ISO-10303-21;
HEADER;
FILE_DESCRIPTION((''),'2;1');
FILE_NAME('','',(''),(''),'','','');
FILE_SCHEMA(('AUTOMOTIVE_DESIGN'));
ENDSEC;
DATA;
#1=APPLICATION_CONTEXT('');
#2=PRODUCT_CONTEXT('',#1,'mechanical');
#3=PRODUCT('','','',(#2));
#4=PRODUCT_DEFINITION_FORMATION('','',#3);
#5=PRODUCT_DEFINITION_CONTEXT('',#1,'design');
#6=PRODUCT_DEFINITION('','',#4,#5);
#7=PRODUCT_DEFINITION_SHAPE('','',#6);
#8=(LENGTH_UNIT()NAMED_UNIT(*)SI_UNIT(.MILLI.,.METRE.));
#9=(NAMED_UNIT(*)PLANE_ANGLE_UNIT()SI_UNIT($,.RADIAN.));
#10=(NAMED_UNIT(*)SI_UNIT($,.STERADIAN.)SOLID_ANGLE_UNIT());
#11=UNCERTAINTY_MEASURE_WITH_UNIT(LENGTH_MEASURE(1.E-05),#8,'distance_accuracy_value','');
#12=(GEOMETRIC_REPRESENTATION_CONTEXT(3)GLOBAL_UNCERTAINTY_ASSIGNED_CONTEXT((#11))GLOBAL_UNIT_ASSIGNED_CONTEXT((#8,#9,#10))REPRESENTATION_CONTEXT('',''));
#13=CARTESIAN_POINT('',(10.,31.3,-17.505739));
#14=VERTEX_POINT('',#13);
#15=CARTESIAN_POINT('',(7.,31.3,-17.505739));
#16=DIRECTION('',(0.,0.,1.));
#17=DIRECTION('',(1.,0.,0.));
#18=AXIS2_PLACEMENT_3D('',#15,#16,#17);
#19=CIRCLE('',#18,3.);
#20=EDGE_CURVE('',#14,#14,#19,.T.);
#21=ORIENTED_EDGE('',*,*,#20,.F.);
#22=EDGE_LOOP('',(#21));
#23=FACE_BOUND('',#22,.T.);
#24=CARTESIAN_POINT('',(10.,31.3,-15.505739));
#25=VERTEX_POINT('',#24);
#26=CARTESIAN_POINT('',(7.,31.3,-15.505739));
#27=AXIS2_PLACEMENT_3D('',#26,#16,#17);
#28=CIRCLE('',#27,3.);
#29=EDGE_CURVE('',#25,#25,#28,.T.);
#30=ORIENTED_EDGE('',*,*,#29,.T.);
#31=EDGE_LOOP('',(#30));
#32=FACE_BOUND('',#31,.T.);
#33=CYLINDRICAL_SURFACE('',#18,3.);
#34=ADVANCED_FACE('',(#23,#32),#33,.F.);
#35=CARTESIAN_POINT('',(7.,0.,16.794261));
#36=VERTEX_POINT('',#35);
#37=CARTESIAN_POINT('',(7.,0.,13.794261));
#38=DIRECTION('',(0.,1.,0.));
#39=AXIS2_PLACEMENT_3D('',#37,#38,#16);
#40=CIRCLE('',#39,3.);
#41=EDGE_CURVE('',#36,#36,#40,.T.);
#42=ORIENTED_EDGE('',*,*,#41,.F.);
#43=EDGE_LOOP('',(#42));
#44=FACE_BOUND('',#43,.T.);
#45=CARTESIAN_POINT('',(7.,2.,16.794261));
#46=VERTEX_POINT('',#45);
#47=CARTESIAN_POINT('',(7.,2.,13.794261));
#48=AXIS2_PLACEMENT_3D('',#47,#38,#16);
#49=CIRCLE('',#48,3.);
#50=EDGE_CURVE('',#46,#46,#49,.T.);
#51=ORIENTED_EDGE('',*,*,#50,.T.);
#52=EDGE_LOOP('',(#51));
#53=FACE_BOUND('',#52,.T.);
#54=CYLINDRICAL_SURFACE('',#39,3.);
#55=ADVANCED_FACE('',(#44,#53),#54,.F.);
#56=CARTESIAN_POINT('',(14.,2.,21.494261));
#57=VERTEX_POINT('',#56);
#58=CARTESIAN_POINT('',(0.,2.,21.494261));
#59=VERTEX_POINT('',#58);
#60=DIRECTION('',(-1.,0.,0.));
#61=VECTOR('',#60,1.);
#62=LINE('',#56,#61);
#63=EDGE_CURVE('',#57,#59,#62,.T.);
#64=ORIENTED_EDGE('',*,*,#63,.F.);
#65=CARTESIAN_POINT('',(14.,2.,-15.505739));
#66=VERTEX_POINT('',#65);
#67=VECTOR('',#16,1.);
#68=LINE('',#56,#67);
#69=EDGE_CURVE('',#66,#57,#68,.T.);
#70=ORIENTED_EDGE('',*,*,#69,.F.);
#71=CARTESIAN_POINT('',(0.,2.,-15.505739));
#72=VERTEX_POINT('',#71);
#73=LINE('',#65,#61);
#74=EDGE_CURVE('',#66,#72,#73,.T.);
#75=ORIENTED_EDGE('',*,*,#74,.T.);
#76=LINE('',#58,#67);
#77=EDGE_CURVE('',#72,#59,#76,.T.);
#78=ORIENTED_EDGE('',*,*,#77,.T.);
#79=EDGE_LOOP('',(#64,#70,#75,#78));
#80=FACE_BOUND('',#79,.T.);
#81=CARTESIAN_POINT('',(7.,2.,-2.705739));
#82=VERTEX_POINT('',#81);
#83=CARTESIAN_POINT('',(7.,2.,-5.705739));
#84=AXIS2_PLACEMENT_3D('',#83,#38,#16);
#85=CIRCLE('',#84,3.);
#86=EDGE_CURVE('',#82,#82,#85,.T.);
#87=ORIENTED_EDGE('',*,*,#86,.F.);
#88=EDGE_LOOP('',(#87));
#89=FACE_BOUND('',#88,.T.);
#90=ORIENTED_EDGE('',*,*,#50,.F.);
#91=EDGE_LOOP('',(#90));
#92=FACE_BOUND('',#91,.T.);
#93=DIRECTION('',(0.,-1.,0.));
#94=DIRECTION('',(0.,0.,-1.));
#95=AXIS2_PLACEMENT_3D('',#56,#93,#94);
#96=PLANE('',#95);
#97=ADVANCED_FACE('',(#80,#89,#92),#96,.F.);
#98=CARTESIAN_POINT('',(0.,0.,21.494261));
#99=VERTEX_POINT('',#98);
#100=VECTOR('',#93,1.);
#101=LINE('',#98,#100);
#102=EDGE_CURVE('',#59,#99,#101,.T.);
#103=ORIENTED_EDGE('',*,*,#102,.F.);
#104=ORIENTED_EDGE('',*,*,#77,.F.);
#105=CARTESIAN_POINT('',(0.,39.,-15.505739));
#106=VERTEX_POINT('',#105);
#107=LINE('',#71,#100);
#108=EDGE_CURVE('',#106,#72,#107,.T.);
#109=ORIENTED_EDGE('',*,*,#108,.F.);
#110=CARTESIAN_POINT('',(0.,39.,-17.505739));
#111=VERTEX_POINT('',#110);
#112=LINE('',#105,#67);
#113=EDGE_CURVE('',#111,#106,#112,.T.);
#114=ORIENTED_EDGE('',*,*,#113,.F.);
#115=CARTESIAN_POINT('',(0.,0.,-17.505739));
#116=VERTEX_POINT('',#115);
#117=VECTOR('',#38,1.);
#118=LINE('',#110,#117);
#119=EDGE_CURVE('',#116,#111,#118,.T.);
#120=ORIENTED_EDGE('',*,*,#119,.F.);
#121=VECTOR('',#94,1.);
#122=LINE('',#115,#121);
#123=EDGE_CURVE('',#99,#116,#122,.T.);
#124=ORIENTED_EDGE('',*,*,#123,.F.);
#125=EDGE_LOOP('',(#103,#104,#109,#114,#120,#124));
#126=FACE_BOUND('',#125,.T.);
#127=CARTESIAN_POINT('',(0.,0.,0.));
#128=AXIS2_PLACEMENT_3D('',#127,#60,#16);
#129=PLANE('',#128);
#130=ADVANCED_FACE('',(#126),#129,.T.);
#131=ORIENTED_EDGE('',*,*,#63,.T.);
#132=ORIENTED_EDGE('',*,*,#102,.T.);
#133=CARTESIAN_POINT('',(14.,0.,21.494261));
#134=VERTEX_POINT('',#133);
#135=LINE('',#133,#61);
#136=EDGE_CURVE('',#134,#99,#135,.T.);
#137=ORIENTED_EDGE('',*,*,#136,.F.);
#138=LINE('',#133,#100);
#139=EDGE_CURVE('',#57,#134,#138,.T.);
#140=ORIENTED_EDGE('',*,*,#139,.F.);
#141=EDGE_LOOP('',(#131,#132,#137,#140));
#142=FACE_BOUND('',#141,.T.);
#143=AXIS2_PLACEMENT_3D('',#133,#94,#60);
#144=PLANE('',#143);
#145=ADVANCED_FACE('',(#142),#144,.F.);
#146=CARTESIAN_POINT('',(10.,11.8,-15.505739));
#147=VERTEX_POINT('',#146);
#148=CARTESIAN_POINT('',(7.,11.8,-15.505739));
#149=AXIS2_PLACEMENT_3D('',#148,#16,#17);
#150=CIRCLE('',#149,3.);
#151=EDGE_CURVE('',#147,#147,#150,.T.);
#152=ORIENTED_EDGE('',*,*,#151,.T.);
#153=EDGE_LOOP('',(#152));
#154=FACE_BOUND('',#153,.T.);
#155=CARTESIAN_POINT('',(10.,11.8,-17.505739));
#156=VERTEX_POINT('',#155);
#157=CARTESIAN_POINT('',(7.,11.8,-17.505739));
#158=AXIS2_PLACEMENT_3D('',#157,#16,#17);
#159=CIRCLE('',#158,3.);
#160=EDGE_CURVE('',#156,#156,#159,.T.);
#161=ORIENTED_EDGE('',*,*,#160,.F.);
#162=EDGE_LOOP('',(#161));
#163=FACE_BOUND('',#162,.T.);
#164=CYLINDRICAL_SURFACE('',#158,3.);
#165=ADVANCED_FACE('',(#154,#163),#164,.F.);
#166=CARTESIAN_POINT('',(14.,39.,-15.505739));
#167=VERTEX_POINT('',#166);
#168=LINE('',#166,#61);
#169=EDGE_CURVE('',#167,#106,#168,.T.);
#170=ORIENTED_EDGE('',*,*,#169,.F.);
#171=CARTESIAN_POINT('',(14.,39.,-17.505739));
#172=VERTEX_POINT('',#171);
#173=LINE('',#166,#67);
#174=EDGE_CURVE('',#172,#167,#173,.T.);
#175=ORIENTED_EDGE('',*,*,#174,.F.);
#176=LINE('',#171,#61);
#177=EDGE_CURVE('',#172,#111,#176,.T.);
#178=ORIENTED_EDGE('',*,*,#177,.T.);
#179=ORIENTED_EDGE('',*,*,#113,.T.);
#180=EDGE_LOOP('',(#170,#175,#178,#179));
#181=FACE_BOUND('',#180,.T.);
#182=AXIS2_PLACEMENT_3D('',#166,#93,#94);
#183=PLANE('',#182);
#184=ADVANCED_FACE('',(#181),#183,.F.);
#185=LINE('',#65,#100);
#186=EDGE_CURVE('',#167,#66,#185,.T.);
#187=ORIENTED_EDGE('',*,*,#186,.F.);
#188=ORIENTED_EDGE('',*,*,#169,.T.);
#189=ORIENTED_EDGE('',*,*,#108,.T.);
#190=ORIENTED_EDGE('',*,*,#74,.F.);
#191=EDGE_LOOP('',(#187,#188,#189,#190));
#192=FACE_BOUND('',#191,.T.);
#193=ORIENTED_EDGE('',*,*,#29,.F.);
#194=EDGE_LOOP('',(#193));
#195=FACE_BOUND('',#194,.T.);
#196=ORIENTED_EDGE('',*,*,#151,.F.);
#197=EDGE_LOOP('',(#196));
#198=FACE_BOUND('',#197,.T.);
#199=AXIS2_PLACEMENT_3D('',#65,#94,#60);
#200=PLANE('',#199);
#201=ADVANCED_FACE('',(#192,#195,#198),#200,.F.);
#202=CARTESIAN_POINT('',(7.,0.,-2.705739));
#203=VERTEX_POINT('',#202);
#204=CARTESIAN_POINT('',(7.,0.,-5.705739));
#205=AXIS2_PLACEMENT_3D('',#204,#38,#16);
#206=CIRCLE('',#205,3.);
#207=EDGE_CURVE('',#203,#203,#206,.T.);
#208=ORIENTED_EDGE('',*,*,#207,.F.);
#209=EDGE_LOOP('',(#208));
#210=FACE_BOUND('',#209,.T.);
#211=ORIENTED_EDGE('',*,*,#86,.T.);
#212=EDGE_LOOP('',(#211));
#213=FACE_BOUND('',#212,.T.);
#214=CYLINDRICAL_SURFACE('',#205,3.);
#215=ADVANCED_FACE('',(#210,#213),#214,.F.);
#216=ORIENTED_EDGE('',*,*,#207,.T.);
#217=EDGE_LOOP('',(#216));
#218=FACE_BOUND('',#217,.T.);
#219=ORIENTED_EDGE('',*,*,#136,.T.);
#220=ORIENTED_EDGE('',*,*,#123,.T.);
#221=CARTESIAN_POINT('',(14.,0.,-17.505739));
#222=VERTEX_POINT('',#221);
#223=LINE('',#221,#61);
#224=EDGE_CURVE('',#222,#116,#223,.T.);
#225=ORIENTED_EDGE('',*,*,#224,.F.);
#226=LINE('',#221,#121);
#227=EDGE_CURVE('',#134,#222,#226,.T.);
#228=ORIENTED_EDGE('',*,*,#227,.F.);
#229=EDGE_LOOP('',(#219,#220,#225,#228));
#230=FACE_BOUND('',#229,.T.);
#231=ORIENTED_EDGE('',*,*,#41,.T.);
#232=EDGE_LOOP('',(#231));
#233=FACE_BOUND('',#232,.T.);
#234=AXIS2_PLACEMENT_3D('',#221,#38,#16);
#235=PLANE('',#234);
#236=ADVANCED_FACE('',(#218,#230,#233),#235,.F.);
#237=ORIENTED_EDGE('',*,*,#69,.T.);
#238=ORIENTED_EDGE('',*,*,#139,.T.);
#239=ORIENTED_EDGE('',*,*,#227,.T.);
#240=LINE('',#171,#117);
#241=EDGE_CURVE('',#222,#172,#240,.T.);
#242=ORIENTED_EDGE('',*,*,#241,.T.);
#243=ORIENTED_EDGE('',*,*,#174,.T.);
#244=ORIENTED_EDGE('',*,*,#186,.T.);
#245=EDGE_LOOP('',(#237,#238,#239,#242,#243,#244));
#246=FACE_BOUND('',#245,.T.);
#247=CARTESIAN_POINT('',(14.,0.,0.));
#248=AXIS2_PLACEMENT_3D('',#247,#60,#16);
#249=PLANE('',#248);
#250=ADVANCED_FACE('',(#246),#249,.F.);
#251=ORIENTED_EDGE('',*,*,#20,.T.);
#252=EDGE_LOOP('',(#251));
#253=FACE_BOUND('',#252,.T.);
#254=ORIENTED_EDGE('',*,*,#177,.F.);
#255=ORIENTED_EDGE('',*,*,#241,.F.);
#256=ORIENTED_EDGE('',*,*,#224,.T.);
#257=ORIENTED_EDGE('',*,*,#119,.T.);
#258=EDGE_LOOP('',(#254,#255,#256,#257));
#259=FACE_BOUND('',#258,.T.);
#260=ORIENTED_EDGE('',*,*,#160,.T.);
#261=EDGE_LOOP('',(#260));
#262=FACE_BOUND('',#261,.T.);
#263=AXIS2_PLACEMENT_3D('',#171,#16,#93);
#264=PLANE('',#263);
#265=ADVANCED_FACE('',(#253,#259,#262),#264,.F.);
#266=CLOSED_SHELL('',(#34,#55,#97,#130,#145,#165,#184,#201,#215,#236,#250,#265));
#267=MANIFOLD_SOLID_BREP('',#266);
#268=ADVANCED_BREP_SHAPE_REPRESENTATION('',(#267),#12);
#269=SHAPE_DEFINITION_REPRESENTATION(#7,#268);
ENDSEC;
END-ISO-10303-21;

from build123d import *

# Parameters (mm, degrees)
BOSS_EXTRUDE1_DEPTH = 14
SKETCH2_R           = 3
CUT_EXTRUDE1_DEPTH  = 46.02225292
SKETCH3_R           = 3
CUT_EXTRUDE2_DEPTH  = 56.551777649


with BuildPart() as part:
    # Sketch1 → Boss-Extrude1 (new body)
    with BuildSketch(Plane(origin=(0, 0, 0), x_dir=(0, 0, -1), z_dir=(1, 0, 0))):
        Polygon((-21.494261048, 2), (15.505738952, 2), (15.505738952, 39), (17.505738952, 39), (17.505738952, 0), (-21.494261048, 0), align=None)
    extrude(amount=BOSS_EXTRUDE1_DEPTH)

    # Sketch2 → Cut-Extrude1 (cut, through all)
    with BuildSketch(Plane(origin=(0, 2, 0), x_dir=(1, 0, 0), z_dir=(0, 1, 0))):
        with Locations(Location((7, -13.794261048, 0), (0, 0, 270))):
            Circle(SKETCH2_R)
        with Locations(Location((7, 5.705738952, 0), (0, 0, 270))):
            Circle(SKETCH2_R)
    extrude(amount=-CUT_EXTRUDE1_DEPTH, mode=Mode.SUBTRACT)

    # Sketch3 → Cut-Extrude2 (cut, through all)
    with BuildSketch(Plane.XY.offset(-15.505738952)):
        with Locations((7, 11.8)):
            Circle(SKETCH3_R)
        with Locations((7, 31.3)):
            Circle(SKETCH3_R)
    extrude(amount=-CUT_EXTRUDE2_DEPTH, mode=Mode.SUBTRACT)


solid = part.part
